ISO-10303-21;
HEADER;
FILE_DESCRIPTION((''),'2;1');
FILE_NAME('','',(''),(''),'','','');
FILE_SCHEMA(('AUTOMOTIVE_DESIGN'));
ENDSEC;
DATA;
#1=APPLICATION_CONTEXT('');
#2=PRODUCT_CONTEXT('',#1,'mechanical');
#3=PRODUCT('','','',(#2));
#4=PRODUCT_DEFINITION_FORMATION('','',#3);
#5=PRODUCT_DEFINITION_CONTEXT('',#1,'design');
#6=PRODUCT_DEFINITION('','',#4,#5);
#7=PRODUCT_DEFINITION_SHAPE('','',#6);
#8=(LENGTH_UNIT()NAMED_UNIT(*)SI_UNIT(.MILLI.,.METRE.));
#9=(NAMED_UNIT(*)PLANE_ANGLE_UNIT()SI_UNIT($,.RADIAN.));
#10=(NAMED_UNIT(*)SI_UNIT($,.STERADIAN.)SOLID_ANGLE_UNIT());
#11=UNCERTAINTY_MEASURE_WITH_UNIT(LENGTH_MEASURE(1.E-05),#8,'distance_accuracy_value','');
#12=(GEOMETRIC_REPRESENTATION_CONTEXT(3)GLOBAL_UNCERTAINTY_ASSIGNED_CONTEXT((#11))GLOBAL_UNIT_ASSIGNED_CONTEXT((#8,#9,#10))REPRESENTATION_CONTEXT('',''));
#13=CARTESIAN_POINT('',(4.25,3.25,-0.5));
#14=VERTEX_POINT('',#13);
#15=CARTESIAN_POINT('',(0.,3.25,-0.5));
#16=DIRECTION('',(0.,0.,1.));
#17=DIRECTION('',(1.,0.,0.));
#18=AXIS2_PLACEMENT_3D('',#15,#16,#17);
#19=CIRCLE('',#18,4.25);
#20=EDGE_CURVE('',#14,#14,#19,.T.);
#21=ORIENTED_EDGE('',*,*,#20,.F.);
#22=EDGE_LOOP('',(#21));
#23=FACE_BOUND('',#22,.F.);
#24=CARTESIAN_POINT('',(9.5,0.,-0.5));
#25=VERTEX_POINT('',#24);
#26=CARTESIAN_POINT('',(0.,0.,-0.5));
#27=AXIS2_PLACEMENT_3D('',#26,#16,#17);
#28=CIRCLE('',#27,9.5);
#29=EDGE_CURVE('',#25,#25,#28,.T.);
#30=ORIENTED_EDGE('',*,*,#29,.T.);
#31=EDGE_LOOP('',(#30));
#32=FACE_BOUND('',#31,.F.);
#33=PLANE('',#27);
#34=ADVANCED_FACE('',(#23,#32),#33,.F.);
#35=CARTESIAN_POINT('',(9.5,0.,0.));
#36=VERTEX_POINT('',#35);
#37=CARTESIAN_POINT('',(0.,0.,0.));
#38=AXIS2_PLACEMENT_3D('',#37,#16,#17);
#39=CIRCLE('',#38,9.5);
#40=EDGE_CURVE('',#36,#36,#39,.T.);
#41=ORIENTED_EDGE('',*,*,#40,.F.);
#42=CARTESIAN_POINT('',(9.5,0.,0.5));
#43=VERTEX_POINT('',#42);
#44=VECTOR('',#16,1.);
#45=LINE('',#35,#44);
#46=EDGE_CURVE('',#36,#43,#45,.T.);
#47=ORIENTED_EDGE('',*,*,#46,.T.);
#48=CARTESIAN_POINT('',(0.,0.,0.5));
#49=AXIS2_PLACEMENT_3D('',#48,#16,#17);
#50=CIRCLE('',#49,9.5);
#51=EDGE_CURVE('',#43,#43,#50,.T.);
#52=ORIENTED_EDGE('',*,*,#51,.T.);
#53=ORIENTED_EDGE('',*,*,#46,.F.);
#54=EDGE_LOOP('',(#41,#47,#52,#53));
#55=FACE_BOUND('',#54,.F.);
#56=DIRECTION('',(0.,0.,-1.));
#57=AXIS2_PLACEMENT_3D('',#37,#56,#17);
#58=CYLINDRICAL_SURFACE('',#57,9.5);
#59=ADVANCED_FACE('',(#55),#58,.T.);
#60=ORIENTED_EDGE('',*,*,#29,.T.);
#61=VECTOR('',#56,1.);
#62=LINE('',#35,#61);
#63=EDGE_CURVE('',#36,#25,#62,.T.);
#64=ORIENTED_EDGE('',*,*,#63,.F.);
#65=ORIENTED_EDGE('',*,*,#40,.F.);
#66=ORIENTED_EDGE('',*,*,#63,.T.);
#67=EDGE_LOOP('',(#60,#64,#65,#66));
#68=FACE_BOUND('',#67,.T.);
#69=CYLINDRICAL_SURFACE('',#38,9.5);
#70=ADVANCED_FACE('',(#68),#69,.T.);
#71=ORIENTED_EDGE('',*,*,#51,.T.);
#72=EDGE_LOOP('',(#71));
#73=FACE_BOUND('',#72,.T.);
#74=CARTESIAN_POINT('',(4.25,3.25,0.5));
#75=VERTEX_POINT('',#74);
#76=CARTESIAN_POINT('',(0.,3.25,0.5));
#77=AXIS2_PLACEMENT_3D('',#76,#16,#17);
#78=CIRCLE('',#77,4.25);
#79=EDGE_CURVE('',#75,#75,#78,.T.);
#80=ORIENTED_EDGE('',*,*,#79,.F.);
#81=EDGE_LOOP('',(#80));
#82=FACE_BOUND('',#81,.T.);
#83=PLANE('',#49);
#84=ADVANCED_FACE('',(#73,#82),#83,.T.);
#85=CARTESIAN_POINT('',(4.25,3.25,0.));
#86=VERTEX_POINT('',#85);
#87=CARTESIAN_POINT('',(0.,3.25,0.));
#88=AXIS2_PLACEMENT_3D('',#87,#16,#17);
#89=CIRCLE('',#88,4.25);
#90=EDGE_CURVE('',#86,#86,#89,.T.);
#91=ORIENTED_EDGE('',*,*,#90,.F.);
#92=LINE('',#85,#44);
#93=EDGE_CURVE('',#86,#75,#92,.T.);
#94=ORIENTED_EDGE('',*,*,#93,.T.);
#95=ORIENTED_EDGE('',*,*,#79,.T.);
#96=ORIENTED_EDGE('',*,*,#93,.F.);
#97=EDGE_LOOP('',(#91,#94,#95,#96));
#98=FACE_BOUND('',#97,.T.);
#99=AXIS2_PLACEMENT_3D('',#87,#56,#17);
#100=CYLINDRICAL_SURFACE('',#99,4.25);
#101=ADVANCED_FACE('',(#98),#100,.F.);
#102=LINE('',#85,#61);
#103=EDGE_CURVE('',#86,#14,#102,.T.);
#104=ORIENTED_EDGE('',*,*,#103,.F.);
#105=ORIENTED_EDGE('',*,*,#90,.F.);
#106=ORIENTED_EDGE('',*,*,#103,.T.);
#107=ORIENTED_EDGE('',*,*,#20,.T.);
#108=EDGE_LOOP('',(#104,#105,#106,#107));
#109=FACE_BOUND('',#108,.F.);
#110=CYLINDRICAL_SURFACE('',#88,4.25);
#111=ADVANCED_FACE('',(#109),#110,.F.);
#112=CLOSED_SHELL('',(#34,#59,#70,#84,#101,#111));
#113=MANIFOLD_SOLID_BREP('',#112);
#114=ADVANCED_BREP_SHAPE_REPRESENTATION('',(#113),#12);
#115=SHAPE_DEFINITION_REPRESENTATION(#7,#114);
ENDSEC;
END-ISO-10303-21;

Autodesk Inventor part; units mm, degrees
ref_plane "YZ Plane" through (0, 0, 0) normal (1, 0, 0) x (0, 1, 0)
ref_plane "XZ Plane" through (0, 0, 0) normal (0, 1, 0) x (-1, 0, 0)
ref_plane "XY Plane" through (0, 0, 0) normal (0, 0, 1) x (1, 0, 0)
sketch "Sketch1" plane through (0, 0, 0) normal (0, 0, 1) x (1, 0, 0)
  circle A0 centre (0, 0) radius 9.5
  circle A1 centre (0, 3.25) radius 4.25
  dimension "d0" = 19
  dimension "d1" = 3.25
  dimension "d2" = 8.5
extrude "Extrusion1" add sketch "Sketch1" along normal mid plane 1
properties part number "20.2"
